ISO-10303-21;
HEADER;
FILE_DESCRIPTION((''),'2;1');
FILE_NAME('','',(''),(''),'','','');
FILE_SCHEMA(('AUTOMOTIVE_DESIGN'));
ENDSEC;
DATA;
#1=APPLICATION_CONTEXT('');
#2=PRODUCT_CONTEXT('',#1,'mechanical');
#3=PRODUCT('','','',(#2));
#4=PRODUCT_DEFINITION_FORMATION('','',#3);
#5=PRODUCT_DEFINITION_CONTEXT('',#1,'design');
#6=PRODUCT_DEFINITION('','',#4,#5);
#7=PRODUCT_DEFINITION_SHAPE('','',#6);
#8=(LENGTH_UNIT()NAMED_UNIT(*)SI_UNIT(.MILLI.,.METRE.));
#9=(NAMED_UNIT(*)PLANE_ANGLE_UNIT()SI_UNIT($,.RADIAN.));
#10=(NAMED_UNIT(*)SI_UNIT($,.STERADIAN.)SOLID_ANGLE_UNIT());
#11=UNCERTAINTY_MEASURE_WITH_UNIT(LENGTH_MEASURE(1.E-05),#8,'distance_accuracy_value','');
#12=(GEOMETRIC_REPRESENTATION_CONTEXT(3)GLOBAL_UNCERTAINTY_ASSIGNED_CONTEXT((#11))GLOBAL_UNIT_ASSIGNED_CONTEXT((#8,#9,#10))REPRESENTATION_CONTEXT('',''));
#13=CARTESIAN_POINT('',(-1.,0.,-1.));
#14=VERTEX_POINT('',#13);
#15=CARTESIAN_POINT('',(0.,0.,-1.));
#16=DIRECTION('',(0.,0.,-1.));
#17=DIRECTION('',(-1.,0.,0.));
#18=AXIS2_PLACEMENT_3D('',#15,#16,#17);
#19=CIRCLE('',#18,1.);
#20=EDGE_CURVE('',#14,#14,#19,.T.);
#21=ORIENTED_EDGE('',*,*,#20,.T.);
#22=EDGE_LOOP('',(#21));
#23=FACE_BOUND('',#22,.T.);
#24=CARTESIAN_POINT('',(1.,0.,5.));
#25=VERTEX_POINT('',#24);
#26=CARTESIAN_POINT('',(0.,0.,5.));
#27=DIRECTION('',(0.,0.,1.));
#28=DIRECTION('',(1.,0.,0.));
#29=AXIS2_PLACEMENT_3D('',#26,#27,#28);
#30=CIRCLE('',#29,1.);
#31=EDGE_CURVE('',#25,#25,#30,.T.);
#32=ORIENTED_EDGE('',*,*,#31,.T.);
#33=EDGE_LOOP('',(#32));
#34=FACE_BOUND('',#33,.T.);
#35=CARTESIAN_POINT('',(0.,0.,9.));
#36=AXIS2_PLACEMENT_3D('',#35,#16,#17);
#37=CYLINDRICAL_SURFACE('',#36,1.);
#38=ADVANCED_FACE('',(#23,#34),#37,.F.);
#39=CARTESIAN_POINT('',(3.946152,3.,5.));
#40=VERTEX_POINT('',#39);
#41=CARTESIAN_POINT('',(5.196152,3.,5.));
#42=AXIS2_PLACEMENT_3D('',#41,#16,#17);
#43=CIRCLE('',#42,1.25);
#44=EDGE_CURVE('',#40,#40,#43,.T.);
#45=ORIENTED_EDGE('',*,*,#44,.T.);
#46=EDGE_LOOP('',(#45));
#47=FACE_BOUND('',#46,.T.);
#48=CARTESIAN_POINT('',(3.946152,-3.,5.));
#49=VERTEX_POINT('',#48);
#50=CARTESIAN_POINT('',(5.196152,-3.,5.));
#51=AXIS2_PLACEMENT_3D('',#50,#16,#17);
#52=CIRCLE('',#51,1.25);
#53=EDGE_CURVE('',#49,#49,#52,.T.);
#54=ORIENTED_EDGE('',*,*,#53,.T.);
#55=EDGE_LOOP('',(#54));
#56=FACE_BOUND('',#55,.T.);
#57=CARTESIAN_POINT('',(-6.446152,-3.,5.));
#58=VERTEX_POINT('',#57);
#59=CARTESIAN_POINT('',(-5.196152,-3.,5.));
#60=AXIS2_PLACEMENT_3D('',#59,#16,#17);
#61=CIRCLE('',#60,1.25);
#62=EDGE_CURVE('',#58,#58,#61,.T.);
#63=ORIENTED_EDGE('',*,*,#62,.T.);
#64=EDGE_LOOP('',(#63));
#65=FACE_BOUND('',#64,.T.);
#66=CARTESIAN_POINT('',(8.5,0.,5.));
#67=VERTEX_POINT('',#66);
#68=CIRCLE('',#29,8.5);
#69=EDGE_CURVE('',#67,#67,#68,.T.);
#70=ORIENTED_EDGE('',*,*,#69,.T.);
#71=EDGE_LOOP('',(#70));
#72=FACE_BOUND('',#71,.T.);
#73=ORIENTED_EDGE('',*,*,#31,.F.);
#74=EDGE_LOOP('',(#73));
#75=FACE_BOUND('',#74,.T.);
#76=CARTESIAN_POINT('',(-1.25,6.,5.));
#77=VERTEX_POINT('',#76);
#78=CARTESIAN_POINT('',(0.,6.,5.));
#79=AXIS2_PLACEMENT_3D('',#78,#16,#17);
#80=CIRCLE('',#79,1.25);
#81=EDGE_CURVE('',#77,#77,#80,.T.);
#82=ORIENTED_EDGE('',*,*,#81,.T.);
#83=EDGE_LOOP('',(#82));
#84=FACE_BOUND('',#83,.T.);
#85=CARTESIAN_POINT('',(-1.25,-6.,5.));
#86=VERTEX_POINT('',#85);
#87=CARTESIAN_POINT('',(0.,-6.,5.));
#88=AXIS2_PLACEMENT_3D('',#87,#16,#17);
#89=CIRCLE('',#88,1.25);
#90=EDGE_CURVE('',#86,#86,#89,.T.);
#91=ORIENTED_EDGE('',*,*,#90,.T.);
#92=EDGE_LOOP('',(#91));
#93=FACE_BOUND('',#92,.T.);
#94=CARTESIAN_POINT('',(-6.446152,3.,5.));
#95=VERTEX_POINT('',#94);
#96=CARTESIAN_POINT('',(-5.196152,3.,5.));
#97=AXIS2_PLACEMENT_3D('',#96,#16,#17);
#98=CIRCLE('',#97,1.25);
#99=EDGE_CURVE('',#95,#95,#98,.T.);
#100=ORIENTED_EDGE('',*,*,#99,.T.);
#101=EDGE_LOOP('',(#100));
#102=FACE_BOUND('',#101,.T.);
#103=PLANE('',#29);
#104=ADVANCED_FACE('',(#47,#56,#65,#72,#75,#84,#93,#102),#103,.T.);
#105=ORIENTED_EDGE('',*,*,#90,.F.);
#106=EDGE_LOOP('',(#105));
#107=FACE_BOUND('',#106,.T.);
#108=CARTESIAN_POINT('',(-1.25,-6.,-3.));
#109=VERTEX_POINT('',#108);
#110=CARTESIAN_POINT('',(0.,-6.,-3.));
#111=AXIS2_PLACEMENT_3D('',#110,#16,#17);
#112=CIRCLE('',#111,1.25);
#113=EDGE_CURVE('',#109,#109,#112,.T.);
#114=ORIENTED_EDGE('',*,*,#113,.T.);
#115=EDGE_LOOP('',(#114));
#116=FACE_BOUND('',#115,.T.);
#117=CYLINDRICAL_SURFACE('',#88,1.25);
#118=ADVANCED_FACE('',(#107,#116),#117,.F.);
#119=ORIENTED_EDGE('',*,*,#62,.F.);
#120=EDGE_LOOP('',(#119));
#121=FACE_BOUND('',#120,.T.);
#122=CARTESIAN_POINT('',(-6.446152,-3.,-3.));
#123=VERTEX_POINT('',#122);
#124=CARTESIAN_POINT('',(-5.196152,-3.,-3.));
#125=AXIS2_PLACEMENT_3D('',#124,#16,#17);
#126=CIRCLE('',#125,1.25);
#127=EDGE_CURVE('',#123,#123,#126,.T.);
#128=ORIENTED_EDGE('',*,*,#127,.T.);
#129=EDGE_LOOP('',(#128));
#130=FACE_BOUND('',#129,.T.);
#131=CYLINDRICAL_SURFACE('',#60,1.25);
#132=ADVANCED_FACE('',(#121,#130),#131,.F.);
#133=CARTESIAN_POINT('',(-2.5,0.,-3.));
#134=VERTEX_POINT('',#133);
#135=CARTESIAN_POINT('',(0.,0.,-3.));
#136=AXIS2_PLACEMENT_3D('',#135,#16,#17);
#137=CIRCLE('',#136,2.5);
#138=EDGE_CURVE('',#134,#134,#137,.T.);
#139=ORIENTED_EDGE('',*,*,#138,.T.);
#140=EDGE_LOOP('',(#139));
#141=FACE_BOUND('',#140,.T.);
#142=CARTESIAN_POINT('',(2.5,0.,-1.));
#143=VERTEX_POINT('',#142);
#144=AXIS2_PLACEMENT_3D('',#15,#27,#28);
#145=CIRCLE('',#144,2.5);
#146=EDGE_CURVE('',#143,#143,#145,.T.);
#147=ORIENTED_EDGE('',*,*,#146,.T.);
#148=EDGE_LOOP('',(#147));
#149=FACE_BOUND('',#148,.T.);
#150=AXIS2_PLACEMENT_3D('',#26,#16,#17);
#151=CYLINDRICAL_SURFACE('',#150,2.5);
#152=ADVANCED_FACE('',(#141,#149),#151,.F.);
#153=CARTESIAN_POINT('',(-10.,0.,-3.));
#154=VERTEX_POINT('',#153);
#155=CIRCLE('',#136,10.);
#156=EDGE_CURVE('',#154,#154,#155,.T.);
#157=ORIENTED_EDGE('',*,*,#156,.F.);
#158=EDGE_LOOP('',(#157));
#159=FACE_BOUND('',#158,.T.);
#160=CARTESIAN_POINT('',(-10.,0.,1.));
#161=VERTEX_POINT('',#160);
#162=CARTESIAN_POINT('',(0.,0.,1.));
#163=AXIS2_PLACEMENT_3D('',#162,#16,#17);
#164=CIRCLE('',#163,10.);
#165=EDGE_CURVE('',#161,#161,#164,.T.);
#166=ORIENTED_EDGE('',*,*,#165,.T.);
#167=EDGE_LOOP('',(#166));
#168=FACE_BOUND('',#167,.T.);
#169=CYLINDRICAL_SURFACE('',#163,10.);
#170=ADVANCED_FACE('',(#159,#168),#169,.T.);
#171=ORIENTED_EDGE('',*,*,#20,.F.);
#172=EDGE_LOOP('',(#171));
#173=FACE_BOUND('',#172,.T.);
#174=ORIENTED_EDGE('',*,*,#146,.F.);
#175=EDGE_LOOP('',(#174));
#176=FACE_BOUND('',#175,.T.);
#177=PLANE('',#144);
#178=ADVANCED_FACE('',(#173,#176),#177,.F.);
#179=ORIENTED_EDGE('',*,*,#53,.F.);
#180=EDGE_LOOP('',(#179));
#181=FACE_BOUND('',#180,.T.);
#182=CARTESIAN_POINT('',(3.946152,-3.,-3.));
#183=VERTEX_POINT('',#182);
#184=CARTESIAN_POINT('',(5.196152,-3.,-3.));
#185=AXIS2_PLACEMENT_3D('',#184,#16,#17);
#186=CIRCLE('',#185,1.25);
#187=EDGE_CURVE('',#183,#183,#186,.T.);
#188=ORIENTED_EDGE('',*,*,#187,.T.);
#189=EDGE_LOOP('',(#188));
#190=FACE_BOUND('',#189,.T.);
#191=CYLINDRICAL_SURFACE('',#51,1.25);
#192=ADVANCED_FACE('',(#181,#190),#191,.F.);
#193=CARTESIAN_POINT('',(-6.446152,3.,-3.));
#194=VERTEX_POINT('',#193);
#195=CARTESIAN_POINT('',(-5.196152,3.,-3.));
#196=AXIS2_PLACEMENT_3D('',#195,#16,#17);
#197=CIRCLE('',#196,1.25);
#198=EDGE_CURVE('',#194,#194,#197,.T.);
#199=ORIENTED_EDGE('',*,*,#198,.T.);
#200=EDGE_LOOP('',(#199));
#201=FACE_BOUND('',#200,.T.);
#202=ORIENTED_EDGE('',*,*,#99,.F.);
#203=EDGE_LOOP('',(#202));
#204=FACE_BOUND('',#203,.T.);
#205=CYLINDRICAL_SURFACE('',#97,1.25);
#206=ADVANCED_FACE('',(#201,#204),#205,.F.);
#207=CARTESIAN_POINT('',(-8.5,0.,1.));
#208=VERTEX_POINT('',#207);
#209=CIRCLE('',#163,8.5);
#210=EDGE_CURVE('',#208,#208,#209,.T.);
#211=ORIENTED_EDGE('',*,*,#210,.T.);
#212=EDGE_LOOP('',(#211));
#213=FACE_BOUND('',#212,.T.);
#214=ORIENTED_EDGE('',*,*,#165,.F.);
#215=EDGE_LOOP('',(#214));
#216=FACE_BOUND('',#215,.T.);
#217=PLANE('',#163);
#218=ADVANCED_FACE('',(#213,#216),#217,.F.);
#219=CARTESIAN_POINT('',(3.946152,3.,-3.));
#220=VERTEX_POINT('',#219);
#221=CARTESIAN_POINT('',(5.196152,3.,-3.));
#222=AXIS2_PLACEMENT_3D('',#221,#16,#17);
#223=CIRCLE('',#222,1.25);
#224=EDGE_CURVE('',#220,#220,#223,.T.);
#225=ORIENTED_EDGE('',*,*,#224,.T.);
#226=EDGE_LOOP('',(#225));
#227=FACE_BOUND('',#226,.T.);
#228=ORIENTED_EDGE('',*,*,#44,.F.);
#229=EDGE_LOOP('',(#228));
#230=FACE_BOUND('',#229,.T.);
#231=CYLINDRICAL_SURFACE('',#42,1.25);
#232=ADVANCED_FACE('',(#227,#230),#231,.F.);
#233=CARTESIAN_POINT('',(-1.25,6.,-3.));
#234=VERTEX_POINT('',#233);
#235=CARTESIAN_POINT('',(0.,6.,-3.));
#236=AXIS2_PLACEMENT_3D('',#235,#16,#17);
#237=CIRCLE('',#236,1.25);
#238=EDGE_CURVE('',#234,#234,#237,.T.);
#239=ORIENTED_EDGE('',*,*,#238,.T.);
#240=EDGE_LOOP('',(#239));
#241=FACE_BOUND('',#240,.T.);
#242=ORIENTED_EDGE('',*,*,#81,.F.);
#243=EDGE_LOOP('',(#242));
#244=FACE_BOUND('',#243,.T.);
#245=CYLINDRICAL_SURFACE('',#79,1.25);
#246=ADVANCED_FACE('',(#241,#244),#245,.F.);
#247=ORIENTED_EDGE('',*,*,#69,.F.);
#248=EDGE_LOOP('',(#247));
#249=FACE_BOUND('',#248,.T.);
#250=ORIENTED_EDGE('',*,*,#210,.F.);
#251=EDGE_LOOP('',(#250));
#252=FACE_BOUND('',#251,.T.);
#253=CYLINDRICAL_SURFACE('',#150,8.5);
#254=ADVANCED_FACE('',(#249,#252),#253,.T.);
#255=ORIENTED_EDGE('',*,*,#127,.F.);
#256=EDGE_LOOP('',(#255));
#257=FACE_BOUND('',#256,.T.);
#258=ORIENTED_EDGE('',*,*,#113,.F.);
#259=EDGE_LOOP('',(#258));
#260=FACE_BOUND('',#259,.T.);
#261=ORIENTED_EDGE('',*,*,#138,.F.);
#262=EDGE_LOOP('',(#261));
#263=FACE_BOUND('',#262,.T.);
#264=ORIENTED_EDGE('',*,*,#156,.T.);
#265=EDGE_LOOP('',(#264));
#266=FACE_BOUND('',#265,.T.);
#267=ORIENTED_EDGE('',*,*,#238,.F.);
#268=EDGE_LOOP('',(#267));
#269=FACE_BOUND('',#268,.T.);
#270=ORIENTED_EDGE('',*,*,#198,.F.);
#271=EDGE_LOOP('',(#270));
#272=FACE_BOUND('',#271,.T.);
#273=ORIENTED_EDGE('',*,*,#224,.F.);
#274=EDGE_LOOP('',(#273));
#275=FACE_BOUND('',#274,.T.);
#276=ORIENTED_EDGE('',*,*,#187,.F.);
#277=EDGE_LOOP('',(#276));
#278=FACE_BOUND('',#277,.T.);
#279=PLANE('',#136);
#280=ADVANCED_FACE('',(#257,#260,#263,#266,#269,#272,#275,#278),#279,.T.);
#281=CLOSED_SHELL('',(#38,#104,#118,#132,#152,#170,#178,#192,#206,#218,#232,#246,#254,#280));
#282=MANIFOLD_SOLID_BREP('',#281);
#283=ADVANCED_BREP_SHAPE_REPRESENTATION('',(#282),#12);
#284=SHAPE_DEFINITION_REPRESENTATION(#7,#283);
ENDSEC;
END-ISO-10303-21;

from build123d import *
from build123d.topology import SkipClean

# Parameters (mm, degrees)
SKETCH_1_R          = 8.5
SKETCH_1_R_2        = 2.5
EXTRUDE_1_DEPTH     = 5
SKETCH_2_R          = 1.25
CUT_EXTRUDE_1_DEPTH = 5
SKETCH_3_R          = 10
SKETCH_3_R_2        = 8.5
EXTRUDE_2_DEPTH     = 1
EXTRUDE_START       = 3
SKETCH_4_R          = 10
SKETCH_4_R_2        = 2.5
SKETCH_4_R_3        = 1.25
EXTRUDE_3_DEPTH     = 3
EXTRUDE_START_2     = -6
SKETCH_5_R          = 2.5
EXTRUDE_4_DEPTH     = 6
SKETCH_7_R          = 1
CUT_EXTRUDE_2_DEPTH = 10


with BuildPart() as part:
    # 草图1 → 凸台-拉伸1 (new body)
    with BuildSketch(Plane.XY):
        Circle(SKETCH_1_R)
        Circle(SKETCH_1_R_2, mode=Mode.SUBTRACT)
    extrude(amount=EXTRUDE_1_DEPTH)

    # 草图2 → 切除-拉伸1 (cut)
    with BuildSketch(Plane(origin=(0, 0, 0), x_dir=(-1, 0, 0), z_dir=(0, 0, -1))):
        with Locations((0, 6)):
            Circle(SKETCH_2_R)
        with Locations((5.196152423, 3)):
            Circle(SKETCH_2_R)
        with Locations((5.196152423, -3)):
            Circle(SKETCH_2_R)
        with Locations((0, -6)):
            Circle(SKETCH_2_R)
        with Locations((-5.196152423, -3)):
            Circle(SKETCH_2_R)
        with Locations((-5.196152423, 3)):
            Circle(SKETCH_2_R)
    extrude(amount=-CUT_EXTRUDE_1_DEPTH, mode=Mode.SUBTRACT)

    # 草图3 → 凸台-拉伸2 (add)
    with BuildSketch(Plane(origin=(0, 0, 0), x_dir=(-1, 0, 0), z_dir=(0, 0, -1))):
        Circle(SKETCH_3_R)
        Circle(SKETCH_3_R_2, mode=Mode.SUBTRACT)
    extrude(amount=-EXTRUDE_2_DEPTH)

    # 草图4 → 凸台-拉伸3 (add)
    with SkipClean():  # the faces are left unmerged after this step: merging them gives an invalid solid
        with BuildSketch(Plane(origin=(0, 0, 0), x_dir=(-1, 0, 0), z_dir=(0, 0, -1)).offset(EXTRUDE_START)):
            Circle(SKETCH_4_R)
            Circle(SKETCH_4_R_2, mode=Mode.SUBTRACT)
            with Locations((0, 6)):
                Circle(SKETCH_4_R_3, mode=Mode.SUBTRACT)
            with Locations((5.196152423, 3)):
                Circle(SKETCH_4_R_3, mode=Mode.SUBTRACT)
            with Locations((5.196152423, -3)):
                Circle(SKETCH_4_R_3, mode=Mode.SUBTRACT)
            with Locations((0, -6)):
                Circle(SKETCH_4_R_3, mode=Mode.SUBTRACT)
            with Locations((-5.196152423, -3)):
                Circle(SKETCH_4_R_3, mode=Mode.SUBTRACT)
            with Locations((-5.196152423, 3)):
                Circle(SKETCH_4_R_3, mode=Mode.SUBTRACT)
        extrude(amount=-EXTRUDE_3_DEPTH)

    # 草图5 → 凸台-拉伸4 (add)
    with BuildSketch(Plane.XY.offset(5).offset(EXTRUDE_START_2)):
        with Locations(Location((0, 0, 0), (0, 0, 180))):
            Circle(SKETCH_5_R)
    extrude(amount=EXTRUDE_4_DEPTH)

    # 草图7 → 切除-拉伸2 (cut)
    with BuildSketch(Plane(origin=(0, 0, -1), x_dir=(-1, 0, 0), z_dir=(0, 0, -1))):
        Circle(SKETCH_7_R)
    extrude(amount=-CUT_EXTRUDE_2_DEPTH, mode=Mode.SUBTRACT)


solid = part.part
